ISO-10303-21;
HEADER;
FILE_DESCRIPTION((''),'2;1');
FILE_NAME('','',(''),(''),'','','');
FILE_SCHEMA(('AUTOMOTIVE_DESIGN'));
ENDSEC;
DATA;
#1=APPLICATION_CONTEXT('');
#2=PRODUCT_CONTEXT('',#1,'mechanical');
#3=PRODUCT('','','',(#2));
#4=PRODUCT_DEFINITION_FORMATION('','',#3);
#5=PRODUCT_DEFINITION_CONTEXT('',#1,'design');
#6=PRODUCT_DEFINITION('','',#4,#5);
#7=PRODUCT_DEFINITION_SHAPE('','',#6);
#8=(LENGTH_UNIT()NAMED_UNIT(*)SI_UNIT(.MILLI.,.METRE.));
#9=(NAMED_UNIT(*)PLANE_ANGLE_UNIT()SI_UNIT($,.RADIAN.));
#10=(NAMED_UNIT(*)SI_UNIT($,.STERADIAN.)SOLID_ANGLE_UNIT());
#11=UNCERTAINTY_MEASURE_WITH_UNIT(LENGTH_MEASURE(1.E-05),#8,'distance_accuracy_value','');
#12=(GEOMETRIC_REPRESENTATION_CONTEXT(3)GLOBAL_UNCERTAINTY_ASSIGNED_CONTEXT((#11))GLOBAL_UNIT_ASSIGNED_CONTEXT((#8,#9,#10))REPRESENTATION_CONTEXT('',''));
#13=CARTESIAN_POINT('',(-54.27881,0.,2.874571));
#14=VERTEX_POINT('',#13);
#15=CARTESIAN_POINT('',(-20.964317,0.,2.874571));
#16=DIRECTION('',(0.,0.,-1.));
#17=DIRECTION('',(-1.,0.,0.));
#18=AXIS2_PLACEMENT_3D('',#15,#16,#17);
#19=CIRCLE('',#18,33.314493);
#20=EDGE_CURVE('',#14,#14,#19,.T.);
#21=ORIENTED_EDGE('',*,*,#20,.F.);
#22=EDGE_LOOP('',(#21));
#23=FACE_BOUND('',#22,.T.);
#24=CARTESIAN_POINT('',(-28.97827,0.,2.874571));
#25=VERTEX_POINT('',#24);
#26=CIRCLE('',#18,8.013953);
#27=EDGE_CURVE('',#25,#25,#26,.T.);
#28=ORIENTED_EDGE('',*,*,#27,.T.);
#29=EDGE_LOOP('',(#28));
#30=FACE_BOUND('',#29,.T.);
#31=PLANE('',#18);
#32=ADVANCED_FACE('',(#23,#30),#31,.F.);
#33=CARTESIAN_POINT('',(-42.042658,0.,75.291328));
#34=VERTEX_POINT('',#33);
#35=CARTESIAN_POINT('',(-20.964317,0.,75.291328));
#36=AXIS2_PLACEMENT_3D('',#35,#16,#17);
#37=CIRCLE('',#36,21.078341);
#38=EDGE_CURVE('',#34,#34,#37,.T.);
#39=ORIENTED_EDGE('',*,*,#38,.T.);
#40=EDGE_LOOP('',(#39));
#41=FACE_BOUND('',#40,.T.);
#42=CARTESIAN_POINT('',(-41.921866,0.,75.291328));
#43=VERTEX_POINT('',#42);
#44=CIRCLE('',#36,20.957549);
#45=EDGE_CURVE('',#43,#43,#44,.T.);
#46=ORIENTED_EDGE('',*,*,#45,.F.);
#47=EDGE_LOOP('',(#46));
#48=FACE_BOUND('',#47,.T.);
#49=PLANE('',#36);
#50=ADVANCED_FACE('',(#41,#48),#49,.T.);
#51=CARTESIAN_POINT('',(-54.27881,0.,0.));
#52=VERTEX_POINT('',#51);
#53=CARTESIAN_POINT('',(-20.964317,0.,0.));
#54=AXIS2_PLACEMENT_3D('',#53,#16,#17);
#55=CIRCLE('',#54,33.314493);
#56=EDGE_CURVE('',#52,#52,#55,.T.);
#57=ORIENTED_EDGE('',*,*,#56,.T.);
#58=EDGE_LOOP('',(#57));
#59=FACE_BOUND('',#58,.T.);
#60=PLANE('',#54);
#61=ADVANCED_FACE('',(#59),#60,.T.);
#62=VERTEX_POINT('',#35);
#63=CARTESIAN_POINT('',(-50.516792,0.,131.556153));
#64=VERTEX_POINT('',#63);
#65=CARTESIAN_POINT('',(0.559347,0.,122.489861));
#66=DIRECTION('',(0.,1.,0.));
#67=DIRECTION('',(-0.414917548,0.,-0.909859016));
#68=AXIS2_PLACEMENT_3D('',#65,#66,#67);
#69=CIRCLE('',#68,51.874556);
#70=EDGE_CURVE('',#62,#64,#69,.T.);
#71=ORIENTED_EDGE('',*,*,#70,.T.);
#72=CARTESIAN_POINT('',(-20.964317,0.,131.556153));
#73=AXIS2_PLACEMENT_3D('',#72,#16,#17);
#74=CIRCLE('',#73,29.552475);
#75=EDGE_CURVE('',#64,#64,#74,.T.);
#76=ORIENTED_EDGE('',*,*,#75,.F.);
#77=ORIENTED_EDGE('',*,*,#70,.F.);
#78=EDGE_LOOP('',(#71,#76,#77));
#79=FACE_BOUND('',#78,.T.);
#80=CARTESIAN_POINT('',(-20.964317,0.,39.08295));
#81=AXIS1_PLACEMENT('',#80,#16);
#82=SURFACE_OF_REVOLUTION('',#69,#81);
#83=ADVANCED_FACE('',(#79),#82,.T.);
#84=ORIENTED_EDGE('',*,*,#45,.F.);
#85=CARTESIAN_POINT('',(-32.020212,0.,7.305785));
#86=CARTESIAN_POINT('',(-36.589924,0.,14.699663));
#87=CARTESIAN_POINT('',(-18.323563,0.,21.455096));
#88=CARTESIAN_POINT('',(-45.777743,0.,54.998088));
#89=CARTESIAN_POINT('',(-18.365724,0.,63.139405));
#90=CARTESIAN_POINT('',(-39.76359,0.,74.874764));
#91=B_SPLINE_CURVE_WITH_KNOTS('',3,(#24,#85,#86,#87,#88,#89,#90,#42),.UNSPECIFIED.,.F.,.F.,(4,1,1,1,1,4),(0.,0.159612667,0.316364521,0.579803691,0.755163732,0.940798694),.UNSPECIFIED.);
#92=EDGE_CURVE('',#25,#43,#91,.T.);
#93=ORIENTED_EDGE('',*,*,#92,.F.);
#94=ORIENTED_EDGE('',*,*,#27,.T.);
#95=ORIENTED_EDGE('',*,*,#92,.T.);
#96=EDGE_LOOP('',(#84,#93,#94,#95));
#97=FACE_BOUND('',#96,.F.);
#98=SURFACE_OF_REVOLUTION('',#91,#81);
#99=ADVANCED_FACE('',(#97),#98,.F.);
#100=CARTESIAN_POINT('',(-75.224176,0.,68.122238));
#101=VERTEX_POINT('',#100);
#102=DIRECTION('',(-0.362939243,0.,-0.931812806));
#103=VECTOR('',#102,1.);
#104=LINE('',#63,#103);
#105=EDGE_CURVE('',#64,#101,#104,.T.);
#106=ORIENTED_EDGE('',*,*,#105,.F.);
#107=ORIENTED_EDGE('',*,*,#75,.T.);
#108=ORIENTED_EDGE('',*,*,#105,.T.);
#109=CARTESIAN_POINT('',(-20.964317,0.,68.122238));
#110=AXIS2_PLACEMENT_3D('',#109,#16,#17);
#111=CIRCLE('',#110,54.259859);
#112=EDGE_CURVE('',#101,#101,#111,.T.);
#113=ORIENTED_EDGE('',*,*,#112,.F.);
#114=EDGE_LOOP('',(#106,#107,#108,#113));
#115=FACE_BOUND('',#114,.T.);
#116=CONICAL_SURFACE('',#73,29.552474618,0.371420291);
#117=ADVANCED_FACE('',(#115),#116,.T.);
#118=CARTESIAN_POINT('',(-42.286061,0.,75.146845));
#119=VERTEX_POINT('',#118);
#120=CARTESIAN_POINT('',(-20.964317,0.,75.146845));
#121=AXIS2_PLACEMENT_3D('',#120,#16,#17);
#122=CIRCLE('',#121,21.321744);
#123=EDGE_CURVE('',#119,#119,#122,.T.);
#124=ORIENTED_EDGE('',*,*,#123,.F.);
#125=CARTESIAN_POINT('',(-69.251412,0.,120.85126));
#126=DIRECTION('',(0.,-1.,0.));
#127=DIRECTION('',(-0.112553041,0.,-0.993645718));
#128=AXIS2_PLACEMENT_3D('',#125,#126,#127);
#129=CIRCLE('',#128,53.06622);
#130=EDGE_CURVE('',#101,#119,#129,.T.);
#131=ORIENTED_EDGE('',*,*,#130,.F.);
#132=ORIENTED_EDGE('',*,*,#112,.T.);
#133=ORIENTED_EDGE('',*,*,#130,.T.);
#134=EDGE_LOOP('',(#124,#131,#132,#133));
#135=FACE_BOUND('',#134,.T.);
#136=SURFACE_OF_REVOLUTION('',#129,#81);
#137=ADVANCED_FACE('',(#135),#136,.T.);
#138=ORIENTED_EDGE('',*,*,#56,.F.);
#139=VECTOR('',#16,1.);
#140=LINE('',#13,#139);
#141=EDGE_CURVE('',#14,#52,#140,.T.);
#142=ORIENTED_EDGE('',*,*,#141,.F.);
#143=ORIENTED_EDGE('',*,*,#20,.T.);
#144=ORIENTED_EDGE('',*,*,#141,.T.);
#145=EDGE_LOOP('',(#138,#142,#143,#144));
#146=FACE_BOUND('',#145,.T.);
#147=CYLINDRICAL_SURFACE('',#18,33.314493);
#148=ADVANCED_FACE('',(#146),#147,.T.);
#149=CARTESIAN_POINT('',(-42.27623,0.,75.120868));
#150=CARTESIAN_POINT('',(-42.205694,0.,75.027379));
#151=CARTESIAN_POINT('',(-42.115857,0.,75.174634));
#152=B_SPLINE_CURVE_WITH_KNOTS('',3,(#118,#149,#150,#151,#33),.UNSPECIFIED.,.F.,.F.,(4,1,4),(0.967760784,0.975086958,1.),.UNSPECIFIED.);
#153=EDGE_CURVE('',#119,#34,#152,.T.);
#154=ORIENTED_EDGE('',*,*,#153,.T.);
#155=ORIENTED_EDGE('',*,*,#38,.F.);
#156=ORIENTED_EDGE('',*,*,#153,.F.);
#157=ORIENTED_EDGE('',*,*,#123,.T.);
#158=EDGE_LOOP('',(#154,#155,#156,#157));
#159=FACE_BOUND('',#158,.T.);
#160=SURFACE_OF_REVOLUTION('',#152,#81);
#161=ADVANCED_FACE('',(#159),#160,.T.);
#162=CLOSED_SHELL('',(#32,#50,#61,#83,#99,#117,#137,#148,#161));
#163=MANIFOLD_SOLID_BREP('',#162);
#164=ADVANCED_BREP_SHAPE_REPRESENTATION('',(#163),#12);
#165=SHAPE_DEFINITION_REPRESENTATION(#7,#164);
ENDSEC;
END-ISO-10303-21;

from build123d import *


with BuildPart() as f1:
    # F0 (on Front) → F1 (revolve)
    with BuildSketch(Plane.XZ):
        Polygon((-54.2788095772, 0), (-20.9643170238, 0), (-20.9643170238, 2.8745711315), (-28.9782695472, 2.8745711315), (-54.2788095772, 2.8745711315), align=None)
        with BuildLine():
            Line((-28.9782695472, 2.8745711315), (-20.9643170238, 2.8745711315))
            Line((-20.9643170238, 2.8745711315), (-20.9643170238, 75.2913281322))
            Line((-20.9643170238, 75.2913281322), (-41.9218662355, 75.2913281322))
            add(Edge.make_bspline(
                [(-28.9782695472, 2.8745711315), (-32.0202115458, 7.3057846036), (-36.5899238254, 14.6996630446), (-18.3235629284, 21.4550960171), (-45.7777425001, 54.9980878586), (-18.365723851, 63.1394053047), (-39.763589728, 74.874764164), (-41.9218662355, 75.2913281322)],
                knots=[0, 0, 0, 0, 0.1596126669, 0.3163645209, 0.5798036908, 0.7551637319, 0.9407986939, 0.9407986939, 0.9407986939, 0.9407986939], degree=3))
        make_face()
        with BuildLine():
            Line((-41.9218662355, 75.2913281322), (-20.9643170238, 75.2913281322))
            ThreePointArc((-20.9643170238, 75.2913281322), (-45.365760326, 98.3682081512), (-50.5167916417, 131.5561532974))
            Line((-50.5167916417, 131.5561532974), (-75.2241760492, 68.1222379208))
            ThreePointArc((-75.2241760492, 68.1222379208), (-58.183058387, 68.9521729207), (-42.286061139, 75.1468449684))
            add(Edge.make_bspline(
                [(-41.9218662355, 75.2913281322), (-42.0769512416, 75.3212607313), (-42.2981117162, 75.3231297411), (-42.3043427091, 75.1951487009), (-42.286061139, 75.1468449684)],
                knots=[0.9407986939, 0.9407986939, 0.9407986939, 0.9407986939, 0.9541376702, 0.9677607835, 0.9677607835, 0.9677607835, 0.9677607835], degree=3))
        make_face()
        with BuildLine():
            Line((-42.042657733, 75.2913281322), (-41.9218662355, 75.2913281322))
            add(Edge.make_bspline(
                [(-41.9218662355, 75.2913281322), (-42.0769512416, 75.3212607313), (-42.2981117162, 75.3231297411), (-42.3043427091, 75.1951487009), (-42.286061139, 75.1468449684)],
                knots=[0.9407986939, 0.9407986939, 0.9407986939, 0.9407986939, 0.9541376702, 0.9677607835, 0.9677607835, 0.9677607835, 0.9677607835], degree=3))
            ThreePointArc((-42.286061139, 75.1468449684), (-42.1642631014, 75.2189242604), (-42.042657733, 75.2913281322))
        make_face()
        with BuildLine():
            ThreePointArc((-42.042657733, 75.2913281322), (-42.1642631014, 75.2189242604), (-42.286061139, 75.1468449684))
            add(Edge.make_bspline(
                [(-42.286061139, 75.1468449684), (-42.2762297613, 75.1208684119), (-42.2056935042, 75.0273792188), (-42.1158573661, 75.1746339237), (-42.042657733, 75.2913281322)],
                knots=[0.9677607835, 0.9677607835, 0.9677607835, 0.9677607835, 0.975086958, 1, 1, 1, 1], degree=3))
        make_face()
    revolve(axis=Axis((-20.9643170238, 0, 39.0829496318), (0, 0, -1)))


solid = f1.part
